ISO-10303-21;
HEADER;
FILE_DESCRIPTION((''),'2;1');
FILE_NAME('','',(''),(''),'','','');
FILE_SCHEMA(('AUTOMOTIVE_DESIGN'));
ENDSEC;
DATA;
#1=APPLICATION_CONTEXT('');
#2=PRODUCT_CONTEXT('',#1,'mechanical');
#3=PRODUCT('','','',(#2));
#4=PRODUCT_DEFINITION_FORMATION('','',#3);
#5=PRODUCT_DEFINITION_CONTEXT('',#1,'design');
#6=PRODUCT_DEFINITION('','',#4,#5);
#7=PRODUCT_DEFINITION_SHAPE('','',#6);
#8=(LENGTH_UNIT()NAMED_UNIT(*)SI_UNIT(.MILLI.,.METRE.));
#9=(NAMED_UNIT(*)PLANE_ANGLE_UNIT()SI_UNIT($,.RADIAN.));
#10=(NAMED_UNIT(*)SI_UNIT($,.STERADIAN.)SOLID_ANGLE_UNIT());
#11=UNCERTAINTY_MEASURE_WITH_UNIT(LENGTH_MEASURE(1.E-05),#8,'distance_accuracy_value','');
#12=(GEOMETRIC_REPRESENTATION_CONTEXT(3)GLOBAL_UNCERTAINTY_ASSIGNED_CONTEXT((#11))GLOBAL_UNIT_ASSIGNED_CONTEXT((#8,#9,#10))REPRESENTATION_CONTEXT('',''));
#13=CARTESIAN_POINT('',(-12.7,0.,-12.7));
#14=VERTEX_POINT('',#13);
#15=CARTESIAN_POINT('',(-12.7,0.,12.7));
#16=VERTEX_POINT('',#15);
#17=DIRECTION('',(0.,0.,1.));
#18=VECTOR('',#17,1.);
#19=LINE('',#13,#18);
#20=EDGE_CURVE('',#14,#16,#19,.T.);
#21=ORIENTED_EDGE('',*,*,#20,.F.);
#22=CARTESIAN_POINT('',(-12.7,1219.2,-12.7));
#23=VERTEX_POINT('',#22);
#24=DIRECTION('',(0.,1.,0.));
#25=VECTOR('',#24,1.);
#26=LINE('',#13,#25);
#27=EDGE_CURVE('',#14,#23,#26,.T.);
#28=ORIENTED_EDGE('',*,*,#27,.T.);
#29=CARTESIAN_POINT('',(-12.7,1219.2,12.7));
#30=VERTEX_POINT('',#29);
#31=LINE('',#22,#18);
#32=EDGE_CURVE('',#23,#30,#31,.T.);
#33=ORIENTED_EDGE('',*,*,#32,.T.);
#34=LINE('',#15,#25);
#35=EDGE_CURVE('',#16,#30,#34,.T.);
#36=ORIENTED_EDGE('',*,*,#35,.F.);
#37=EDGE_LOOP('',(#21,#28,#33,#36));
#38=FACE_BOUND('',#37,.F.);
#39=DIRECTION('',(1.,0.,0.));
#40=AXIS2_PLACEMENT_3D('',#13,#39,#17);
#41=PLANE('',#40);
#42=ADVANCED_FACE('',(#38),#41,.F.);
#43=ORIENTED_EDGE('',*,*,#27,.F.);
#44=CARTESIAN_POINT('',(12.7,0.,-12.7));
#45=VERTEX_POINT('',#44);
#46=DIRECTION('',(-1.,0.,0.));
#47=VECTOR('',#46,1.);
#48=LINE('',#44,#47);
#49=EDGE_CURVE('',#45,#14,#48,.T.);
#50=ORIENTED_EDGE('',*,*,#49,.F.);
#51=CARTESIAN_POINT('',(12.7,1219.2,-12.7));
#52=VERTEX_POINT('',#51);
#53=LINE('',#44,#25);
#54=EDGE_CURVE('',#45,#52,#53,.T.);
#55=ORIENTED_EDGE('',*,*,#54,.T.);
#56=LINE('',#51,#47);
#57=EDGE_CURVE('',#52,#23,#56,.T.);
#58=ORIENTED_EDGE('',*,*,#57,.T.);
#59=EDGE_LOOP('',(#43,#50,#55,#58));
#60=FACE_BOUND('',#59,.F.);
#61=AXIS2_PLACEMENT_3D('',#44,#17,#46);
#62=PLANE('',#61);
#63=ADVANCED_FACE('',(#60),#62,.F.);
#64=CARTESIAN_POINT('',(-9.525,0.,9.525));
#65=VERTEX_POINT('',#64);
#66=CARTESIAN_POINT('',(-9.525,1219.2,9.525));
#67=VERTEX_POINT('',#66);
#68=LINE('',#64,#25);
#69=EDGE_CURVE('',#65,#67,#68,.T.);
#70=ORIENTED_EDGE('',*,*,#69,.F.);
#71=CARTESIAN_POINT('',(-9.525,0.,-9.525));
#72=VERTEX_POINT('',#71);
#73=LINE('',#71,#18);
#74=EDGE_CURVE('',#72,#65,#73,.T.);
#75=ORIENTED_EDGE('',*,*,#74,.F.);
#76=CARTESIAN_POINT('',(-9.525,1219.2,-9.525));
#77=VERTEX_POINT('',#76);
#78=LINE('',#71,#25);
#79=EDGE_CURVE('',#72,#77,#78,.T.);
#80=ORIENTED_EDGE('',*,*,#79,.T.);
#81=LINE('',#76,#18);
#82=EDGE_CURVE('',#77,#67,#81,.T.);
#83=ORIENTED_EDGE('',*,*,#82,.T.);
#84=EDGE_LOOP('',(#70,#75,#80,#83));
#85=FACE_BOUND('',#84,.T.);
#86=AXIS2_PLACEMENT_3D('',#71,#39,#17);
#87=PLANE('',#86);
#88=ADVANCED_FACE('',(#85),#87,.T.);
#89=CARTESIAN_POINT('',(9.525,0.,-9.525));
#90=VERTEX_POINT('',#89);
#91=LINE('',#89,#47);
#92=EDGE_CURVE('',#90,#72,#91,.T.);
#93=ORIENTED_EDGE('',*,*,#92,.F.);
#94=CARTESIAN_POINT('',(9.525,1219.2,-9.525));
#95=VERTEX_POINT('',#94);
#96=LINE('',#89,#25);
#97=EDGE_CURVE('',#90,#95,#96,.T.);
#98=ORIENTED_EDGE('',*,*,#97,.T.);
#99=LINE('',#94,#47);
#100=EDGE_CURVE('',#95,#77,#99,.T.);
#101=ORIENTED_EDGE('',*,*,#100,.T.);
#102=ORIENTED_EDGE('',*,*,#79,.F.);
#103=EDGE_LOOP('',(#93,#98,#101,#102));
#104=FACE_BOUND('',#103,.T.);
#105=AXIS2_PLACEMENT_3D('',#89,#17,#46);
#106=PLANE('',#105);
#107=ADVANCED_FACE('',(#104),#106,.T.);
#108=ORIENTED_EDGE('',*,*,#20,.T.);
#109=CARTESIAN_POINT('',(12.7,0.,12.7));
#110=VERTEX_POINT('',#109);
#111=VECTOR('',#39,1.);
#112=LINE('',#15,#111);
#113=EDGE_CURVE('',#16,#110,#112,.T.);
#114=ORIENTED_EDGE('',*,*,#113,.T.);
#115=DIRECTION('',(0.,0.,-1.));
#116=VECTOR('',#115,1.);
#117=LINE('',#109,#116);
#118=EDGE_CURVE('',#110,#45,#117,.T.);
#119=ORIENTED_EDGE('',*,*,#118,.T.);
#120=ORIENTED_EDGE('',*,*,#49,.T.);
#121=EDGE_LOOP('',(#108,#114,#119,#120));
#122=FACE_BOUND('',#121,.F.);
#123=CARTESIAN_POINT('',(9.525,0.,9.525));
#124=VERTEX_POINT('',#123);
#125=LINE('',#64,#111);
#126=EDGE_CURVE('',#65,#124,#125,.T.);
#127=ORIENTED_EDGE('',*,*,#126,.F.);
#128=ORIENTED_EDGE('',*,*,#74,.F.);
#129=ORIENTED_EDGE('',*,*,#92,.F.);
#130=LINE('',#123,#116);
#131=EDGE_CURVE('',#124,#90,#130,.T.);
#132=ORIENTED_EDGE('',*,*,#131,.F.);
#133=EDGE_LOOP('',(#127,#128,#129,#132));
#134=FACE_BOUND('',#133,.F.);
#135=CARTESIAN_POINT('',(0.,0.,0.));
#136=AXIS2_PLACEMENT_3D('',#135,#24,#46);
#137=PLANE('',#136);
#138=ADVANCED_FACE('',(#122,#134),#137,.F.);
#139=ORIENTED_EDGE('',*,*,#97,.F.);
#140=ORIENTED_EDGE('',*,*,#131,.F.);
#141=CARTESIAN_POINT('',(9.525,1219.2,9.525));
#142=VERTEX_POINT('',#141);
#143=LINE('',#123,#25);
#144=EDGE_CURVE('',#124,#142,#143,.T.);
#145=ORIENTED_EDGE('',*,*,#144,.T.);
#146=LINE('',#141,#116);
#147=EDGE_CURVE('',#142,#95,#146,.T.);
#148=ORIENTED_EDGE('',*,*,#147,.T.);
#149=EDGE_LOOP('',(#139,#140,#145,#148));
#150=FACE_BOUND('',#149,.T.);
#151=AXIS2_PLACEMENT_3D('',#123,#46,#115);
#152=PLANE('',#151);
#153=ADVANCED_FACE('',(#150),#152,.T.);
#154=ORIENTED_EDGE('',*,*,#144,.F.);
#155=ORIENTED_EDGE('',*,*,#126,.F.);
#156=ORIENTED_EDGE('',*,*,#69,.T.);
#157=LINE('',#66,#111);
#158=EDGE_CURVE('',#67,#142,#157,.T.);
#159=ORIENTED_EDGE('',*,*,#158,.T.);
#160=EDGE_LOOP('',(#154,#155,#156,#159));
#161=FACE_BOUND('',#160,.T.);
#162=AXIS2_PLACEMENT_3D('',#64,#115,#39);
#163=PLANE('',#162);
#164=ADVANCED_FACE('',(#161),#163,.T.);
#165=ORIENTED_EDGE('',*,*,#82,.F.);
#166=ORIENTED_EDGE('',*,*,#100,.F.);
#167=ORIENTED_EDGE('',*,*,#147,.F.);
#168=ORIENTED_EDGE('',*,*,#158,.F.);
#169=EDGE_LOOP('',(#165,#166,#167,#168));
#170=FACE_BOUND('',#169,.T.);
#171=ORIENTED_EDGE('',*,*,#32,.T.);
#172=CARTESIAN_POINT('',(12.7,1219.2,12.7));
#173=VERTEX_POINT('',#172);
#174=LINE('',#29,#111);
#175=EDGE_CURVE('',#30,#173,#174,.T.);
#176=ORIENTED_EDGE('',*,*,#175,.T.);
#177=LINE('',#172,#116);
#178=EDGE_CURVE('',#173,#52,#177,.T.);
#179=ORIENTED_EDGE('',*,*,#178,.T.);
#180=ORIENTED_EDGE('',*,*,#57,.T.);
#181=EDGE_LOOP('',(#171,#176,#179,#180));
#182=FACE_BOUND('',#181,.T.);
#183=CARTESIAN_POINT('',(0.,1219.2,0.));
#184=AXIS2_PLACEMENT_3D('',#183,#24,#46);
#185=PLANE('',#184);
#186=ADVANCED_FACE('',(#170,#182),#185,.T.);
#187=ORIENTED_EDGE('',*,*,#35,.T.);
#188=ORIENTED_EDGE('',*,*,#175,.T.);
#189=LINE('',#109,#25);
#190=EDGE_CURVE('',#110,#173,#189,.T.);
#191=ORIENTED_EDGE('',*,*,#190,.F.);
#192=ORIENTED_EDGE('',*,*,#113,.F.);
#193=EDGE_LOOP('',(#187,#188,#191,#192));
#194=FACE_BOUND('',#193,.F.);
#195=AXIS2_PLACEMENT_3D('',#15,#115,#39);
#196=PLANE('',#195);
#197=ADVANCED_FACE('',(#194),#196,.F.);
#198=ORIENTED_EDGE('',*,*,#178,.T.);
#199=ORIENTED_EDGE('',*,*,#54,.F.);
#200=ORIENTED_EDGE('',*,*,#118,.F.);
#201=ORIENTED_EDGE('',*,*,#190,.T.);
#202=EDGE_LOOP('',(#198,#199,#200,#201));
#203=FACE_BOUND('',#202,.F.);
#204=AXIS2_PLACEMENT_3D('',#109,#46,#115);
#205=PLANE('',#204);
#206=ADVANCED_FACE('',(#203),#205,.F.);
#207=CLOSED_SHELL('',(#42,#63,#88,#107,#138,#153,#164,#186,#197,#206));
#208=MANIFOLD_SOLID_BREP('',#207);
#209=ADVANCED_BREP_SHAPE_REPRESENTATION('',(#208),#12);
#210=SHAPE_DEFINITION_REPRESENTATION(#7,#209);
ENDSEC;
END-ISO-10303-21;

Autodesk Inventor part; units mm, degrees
ref_plane "YZ Plane" through (0, 0, 0) normal (1, 0, 0) x (0, 1, 0)
ref_plane "XZ Plane" through (0, 0, 0) normal (0, 1, 0) x (-1, 0, 0)
ref_plane "XY Plane" through (0, 0, 0) normal (0, 0, 1) x (1, 0, 0)
sketch "Sketch1" plane through (0, 0, 0) normal (0, 1, 0) x (-1, 0, 0)
  line L0 (12.7, 12.7) -> (-12.7, 12.7)
  line L1 (-12.7, 12.7) -> (-12.7, -12.7)
  line L2 (-12.7, -12.7) -> (12.7, -12.7)
  line L3 (12.7, -12.7) -> (12.7, 12.7)
  line L4 (12.7, 12.7) -> (-12.7, -12.7) construction
  line L5 (-12.7, 12.7) -> (12.7, -12.7) construction
  line L6 (9.525, 9.525) -> (-9.525, 9.525)
  line L7 (-9.525, 9.525) -> (-9.525, -9.525)
  line L8 (-9.525, -9.525) -> (9.525, -9.525)
  line L9 (9.525, -9.525) -> (9.525, 9.525)
  line L10 (9.525, 9.525) -> (-9.525, -9.525) construction
  line L11 (-9.525, 9.525) -> (9.525, -9.525) construction
  point P0 (0, 0)
  dimension "d0" = 25.4
  dimension "d1" = 3.175
extrude "Extrusion1" add sketch "Sketch1" along normal blind 1219.2
properties part number "1x48-rectangular"
